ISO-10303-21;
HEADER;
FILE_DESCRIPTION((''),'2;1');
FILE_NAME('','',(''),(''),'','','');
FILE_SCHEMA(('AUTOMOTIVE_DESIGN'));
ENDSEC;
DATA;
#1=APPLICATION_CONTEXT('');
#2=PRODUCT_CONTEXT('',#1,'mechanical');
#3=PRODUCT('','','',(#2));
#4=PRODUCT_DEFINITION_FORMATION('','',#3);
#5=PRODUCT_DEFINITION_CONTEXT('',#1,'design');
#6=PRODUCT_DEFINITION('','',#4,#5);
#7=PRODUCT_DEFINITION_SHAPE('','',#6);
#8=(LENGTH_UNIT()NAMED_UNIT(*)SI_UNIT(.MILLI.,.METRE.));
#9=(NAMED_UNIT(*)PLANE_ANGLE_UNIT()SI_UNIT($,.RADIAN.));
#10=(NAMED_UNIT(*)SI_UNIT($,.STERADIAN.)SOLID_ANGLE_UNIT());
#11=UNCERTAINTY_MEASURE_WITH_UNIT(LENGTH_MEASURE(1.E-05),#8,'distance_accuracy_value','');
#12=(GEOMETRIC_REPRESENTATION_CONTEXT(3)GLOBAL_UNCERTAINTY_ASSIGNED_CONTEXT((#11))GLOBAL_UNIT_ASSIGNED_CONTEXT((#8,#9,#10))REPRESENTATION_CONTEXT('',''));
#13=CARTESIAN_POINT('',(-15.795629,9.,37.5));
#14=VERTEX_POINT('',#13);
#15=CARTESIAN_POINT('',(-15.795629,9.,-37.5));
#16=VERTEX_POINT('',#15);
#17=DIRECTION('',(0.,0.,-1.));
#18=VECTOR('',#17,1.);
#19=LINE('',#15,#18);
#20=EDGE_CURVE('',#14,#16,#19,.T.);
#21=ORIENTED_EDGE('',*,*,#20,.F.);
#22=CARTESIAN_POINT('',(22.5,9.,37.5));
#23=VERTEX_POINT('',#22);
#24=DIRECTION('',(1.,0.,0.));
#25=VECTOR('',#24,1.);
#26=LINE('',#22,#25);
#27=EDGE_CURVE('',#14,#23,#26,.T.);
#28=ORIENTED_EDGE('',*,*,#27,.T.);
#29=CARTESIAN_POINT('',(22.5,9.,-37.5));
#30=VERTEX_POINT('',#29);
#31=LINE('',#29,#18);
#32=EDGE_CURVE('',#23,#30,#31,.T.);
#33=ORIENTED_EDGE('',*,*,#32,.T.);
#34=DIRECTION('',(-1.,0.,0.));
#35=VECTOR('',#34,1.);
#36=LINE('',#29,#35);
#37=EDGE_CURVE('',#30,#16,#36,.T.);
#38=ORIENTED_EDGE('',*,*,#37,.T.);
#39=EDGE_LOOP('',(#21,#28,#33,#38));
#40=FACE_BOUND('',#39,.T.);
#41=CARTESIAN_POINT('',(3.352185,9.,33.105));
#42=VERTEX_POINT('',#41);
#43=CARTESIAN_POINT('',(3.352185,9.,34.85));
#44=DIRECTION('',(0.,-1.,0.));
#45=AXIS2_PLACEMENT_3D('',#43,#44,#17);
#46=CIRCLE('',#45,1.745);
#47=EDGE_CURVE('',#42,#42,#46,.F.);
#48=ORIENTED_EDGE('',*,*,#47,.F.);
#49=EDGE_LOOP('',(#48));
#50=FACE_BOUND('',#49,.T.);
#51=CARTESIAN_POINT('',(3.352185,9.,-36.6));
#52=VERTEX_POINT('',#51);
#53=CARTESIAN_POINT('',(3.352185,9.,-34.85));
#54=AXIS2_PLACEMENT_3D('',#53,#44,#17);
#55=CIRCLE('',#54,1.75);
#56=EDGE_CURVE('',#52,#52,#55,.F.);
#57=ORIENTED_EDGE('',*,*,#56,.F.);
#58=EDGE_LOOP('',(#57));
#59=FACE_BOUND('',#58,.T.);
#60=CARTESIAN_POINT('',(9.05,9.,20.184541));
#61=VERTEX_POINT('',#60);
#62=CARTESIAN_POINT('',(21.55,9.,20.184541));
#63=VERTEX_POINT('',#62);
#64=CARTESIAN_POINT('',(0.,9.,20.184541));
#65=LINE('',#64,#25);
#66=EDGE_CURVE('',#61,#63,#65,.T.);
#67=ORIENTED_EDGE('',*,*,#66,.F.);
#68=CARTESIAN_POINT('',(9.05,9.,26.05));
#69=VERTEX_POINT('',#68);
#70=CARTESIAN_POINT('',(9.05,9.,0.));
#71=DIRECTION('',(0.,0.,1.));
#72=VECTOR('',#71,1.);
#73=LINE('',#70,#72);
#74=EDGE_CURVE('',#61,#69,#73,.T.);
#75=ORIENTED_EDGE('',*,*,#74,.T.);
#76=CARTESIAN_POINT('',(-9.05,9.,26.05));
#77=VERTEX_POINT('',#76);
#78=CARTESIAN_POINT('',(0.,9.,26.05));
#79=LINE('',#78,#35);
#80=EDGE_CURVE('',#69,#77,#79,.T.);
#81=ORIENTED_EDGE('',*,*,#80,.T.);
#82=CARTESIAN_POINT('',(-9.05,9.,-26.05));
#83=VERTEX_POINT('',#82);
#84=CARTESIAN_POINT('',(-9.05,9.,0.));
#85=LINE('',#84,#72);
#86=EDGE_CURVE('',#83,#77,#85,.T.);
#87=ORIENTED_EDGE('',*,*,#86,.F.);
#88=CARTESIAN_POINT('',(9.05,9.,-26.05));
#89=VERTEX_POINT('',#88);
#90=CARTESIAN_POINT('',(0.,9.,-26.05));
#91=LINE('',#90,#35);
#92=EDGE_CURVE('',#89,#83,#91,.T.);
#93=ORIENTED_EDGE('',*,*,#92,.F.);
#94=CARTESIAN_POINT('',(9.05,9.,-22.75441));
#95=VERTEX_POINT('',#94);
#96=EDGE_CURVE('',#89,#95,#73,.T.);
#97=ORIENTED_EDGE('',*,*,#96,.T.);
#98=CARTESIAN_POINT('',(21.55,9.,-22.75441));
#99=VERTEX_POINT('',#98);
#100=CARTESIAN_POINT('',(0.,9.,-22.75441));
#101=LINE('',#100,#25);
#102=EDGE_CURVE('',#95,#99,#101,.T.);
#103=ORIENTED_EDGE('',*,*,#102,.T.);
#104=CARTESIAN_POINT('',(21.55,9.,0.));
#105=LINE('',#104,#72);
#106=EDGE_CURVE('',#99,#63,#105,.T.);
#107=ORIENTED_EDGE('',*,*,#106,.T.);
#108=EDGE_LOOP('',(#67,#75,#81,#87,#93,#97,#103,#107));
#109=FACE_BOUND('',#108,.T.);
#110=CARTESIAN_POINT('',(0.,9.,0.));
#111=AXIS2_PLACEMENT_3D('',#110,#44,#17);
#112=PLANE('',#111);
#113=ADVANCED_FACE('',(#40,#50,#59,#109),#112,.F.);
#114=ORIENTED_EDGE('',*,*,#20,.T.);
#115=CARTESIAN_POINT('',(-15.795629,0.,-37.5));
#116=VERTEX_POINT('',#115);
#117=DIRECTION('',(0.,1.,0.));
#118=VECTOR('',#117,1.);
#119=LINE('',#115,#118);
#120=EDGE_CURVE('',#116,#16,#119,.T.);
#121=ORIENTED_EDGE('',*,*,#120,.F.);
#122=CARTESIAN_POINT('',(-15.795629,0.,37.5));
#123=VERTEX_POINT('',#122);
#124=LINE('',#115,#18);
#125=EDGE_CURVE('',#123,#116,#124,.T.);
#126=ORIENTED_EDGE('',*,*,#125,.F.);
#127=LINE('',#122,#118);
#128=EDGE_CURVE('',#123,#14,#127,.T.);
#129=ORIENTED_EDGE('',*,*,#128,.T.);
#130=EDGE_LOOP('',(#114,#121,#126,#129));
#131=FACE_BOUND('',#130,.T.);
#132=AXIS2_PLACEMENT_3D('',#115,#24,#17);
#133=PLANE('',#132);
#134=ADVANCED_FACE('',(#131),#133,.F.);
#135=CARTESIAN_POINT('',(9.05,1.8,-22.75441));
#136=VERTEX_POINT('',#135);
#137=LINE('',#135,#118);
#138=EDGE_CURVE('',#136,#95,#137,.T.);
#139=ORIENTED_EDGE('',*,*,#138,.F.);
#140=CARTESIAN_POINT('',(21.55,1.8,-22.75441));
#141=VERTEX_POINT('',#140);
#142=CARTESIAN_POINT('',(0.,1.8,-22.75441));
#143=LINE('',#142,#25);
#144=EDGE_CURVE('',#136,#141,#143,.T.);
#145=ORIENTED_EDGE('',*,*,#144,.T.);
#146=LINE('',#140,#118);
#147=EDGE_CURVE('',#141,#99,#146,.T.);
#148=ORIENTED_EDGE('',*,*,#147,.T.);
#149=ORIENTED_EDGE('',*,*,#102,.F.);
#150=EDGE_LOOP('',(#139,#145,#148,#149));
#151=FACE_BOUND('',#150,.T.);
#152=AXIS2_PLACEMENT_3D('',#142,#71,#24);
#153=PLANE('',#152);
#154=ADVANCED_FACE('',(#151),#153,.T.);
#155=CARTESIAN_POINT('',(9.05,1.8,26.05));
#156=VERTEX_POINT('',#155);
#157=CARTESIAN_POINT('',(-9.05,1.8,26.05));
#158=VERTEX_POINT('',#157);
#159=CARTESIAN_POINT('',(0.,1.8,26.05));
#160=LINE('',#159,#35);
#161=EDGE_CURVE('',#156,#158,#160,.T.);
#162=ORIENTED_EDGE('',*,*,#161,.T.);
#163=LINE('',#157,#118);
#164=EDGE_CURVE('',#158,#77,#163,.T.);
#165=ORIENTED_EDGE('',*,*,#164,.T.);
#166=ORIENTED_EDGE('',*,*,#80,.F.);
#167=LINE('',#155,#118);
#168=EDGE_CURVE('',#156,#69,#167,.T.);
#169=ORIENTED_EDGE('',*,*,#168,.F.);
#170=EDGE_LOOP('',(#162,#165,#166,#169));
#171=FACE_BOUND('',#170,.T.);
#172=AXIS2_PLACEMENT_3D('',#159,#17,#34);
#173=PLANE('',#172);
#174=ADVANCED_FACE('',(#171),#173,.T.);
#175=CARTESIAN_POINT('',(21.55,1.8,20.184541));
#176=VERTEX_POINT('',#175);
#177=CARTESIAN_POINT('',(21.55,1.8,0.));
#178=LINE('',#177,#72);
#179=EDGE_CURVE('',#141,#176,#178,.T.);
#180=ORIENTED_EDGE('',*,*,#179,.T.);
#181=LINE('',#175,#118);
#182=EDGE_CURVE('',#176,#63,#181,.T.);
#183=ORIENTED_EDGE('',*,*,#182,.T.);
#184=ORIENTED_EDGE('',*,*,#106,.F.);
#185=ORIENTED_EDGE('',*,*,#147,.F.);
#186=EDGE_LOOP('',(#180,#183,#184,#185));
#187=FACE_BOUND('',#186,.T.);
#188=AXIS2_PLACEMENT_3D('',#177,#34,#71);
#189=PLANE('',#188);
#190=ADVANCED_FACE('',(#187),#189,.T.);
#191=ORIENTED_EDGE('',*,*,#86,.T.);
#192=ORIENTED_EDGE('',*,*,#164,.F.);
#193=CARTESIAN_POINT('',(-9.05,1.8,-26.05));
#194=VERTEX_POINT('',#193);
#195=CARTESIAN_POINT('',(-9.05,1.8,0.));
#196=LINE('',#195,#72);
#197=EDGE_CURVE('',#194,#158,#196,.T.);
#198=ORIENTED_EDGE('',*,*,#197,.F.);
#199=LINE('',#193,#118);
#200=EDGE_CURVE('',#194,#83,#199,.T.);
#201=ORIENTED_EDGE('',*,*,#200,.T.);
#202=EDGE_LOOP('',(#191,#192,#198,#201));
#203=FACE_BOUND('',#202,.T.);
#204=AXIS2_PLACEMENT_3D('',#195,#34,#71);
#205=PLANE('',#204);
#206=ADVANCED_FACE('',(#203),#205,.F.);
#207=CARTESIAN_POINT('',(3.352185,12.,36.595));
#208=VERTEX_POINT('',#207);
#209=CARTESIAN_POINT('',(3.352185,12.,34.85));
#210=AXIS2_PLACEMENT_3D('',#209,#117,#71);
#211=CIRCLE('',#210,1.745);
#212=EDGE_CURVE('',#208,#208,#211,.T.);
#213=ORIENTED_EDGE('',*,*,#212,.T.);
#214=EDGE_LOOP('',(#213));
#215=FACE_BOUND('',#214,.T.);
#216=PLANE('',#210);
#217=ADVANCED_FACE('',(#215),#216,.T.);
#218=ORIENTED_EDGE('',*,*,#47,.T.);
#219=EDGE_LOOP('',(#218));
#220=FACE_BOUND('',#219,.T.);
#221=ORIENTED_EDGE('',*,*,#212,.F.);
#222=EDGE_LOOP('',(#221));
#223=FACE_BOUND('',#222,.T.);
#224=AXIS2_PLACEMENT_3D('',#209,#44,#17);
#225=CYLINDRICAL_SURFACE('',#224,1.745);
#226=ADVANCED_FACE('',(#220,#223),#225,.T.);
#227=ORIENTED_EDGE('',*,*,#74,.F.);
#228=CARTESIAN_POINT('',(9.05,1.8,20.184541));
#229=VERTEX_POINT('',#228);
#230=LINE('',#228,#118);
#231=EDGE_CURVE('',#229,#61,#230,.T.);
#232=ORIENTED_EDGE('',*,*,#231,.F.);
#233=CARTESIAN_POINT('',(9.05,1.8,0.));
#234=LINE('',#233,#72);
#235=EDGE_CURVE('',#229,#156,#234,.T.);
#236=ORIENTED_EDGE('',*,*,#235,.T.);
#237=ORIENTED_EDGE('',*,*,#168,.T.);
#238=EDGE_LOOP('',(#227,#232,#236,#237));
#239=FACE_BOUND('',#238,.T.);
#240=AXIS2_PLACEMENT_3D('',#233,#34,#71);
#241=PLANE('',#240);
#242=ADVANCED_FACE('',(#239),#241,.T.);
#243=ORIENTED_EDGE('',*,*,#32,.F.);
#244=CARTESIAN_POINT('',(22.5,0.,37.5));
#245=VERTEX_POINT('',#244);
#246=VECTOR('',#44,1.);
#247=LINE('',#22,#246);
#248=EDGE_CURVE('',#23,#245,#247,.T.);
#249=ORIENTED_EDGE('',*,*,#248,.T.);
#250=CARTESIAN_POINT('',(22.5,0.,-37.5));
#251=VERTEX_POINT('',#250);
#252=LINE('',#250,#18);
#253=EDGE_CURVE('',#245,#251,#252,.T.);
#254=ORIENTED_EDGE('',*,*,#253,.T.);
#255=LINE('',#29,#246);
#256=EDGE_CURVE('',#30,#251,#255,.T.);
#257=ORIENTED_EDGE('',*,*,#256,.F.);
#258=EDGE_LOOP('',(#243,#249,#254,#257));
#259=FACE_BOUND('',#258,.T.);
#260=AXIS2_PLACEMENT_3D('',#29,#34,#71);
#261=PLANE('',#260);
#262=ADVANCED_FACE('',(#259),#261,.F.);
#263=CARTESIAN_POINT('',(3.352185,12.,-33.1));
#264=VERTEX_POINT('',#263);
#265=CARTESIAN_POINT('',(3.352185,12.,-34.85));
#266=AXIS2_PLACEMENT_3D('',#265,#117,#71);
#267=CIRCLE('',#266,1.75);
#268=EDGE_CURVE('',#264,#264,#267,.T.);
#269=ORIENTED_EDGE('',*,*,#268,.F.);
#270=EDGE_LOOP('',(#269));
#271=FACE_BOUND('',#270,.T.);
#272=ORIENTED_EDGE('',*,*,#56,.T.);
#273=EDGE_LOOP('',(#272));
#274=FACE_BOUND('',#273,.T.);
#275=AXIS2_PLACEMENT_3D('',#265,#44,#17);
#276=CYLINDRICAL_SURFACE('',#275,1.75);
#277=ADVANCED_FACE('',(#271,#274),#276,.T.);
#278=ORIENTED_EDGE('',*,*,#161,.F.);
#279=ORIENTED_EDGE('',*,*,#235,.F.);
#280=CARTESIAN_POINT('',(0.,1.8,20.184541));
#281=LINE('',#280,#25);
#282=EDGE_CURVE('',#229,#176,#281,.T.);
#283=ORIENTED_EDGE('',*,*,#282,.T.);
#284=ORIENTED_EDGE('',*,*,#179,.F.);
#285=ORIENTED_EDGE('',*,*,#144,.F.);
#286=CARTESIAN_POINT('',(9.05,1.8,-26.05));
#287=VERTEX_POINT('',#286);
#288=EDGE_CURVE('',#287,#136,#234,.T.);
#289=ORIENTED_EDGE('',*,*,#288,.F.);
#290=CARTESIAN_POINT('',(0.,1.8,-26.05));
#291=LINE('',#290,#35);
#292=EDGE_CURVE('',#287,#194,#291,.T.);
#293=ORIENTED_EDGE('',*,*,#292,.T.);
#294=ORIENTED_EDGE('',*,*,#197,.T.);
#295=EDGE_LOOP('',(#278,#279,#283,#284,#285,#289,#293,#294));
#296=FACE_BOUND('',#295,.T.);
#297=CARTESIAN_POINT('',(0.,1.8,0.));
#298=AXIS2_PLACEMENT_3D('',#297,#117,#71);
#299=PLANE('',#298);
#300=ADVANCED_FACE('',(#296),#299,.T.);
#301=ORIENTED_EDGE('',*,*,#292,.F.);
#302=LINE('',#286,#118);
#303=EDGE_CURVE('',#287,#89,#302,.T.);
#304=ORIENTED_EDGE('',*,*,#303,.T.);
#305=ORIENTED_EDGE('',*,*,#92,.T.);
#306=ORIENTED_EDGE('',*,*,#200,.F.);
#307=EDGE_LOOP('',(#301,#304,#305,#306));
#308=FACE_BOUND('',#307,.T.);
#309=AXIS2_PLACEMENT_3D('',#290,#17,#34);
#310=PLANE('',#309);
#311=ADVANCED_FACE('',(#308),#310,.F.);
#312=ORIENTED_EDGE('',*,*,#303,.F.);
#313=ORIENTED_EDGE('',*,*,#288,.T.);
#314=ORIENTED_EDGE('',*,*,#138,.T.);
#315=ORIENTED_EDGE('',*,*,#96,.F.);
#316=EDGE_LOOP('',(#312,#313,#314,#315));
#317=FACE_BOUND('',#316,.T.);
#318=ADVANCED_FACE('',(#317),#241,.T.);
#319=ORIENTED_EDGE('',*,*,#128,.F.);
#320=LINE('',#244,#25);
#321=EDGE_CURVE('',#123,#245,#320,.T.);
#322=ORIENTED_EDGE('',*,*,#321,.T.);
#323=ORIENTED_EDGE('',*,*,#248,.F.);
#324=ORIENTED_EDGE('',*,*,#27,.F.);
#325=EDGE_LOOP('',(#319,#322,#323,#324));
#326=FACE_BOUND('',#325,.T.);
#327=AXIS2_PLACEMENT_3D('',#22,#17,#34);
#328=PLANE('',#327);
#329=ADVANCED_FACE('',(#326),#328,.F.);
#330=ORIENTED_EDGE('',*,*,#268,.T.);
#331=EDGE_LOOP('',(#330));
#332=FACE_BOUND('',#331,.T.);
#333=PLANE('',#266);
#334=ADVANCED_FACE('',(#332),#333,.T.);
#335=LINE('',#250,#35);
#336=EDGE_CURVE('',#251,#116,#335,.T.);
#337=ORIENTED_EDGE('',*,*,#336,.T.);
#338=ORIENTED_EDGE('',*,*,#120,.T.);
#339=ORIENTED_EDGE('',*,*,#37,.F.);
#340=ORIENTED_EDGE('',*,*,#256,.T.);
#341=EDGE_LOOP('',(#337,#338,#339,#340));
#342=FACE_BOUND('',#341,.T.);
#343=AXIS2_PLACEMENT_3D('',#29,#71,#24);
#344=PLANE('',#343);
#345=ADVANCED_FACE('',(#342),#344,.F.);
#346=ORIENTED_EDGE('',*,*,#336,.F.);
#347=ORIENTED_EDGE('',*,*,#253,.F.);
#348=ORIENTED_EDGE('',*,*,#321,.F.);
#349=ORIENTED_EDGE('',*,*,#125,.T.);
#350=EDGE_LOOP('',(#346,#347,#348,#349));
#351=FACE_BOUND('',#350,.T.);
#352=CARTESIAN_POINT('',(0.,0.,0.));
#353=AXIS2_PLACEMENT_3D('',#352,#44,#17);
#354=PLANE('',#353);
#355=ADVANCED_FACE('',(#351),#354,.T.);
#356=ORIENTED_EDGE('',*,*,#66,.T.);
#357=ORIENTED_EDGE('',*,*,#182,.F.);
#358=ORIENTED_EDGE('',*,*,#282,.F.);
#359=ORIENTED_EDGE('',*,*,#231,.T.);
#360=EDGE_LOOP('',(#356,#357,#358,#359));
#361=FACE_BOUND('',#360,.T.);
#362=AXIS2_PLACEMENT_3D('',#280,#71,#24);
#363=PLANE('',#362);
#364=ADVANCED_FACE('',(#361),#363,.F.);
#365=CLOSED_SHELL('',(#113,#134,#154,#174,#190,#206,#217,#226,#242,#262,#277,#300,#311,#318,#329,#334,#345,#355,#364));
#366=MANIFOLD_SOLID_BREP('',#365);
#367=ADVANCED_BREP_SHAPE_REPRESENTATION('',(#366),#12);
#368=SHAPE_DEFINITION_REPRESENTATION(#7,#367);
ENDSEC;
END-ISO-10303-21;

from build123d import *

# Parameters (mm, degrees)
CROQUIS1_W              = 45
CROQUIS1_H              = 75
SALIENTE_EXTRUIR1_DEPTH = 9
CROQUIS2_W              = 18.1
CROQUIS2_H              = 52.1
CROQUIS2_W_2            = 12.5
CROQUIS2_H_2            = 42.938951505
CORTAR_EXTRUIR9_DEPTH   = 7.2
CROQUIS3_W              = 6.70437092
CROQUIS3_H              = 75
CORTAR_EXTRUIR10_DEPTH  = 9
CROQUIS4_R              = 1.745
CROQUIS4_R_2            = 1.75
SALIENTE_EXTRUIR2_DEPTH = 3


with BuildPart() as part:
    # Croquis1 → Saliente-Extruir1 (new body)
    with BuildSketch(Plane(origin=(0, 0, 0), x_dir=(1, 0, 0), z_dir=(0, 1, 0))):
        Rectangle(CROQUIS1_W, CROQUIS1_H)
    extrude(amount=SALIENTE_EXTRUIR1_DEPTH)

    # Croquis2 → Cortar-Extruir9 (cut)
    with BuildSketch(Plane(origin=(0, 9, 0), x_dir=(1, 0, 0), z_dir=(0, 1, 0))):
        Rectangle(CROQUIS2_W, CROQUIS2_H)
        with Locations((15.3, 1.284934341)):
            Rectangle(CROQUIS2_W_2, CROQUIS2_H_2)
    extrude(amount=-CORTAR_EXTRUIR9_DEPTH, mode=Mode.SUBTRACT)

    # Croquis3 → Cortar-Extruir10 (cut)
    with BuildSketch(Plane(origin=(0, 9, 0), x_dir=(1, 0, 0), z_dir=(0, 1, 0))):
        with Locations((-19.14781454, 0)):
            Rectangle(CROQUIS3_W, CROQUIS3_H)
    extrude(amount=-CORTAR_EXTRUIR10_DEPTH, mode=Mode.SUBTRACT)

    # Croquis4 → Saliente-Extruir2 (add)
    with BuildSketch(Plane(origin=(0, 9, 0), x_dir=(1, 0, 0), z_dir=(0, 1, 0))):
        with Locations((3.35218546, -34.85)):
            Circle(CROQUIS4_R)
        with Locations((3.35218546, 34.85)):
            Circle(CROQUIS4_R_2)
    extrude(amount=SALIENTE_EXTRUIR2_DEPTH)


solid = part.part
